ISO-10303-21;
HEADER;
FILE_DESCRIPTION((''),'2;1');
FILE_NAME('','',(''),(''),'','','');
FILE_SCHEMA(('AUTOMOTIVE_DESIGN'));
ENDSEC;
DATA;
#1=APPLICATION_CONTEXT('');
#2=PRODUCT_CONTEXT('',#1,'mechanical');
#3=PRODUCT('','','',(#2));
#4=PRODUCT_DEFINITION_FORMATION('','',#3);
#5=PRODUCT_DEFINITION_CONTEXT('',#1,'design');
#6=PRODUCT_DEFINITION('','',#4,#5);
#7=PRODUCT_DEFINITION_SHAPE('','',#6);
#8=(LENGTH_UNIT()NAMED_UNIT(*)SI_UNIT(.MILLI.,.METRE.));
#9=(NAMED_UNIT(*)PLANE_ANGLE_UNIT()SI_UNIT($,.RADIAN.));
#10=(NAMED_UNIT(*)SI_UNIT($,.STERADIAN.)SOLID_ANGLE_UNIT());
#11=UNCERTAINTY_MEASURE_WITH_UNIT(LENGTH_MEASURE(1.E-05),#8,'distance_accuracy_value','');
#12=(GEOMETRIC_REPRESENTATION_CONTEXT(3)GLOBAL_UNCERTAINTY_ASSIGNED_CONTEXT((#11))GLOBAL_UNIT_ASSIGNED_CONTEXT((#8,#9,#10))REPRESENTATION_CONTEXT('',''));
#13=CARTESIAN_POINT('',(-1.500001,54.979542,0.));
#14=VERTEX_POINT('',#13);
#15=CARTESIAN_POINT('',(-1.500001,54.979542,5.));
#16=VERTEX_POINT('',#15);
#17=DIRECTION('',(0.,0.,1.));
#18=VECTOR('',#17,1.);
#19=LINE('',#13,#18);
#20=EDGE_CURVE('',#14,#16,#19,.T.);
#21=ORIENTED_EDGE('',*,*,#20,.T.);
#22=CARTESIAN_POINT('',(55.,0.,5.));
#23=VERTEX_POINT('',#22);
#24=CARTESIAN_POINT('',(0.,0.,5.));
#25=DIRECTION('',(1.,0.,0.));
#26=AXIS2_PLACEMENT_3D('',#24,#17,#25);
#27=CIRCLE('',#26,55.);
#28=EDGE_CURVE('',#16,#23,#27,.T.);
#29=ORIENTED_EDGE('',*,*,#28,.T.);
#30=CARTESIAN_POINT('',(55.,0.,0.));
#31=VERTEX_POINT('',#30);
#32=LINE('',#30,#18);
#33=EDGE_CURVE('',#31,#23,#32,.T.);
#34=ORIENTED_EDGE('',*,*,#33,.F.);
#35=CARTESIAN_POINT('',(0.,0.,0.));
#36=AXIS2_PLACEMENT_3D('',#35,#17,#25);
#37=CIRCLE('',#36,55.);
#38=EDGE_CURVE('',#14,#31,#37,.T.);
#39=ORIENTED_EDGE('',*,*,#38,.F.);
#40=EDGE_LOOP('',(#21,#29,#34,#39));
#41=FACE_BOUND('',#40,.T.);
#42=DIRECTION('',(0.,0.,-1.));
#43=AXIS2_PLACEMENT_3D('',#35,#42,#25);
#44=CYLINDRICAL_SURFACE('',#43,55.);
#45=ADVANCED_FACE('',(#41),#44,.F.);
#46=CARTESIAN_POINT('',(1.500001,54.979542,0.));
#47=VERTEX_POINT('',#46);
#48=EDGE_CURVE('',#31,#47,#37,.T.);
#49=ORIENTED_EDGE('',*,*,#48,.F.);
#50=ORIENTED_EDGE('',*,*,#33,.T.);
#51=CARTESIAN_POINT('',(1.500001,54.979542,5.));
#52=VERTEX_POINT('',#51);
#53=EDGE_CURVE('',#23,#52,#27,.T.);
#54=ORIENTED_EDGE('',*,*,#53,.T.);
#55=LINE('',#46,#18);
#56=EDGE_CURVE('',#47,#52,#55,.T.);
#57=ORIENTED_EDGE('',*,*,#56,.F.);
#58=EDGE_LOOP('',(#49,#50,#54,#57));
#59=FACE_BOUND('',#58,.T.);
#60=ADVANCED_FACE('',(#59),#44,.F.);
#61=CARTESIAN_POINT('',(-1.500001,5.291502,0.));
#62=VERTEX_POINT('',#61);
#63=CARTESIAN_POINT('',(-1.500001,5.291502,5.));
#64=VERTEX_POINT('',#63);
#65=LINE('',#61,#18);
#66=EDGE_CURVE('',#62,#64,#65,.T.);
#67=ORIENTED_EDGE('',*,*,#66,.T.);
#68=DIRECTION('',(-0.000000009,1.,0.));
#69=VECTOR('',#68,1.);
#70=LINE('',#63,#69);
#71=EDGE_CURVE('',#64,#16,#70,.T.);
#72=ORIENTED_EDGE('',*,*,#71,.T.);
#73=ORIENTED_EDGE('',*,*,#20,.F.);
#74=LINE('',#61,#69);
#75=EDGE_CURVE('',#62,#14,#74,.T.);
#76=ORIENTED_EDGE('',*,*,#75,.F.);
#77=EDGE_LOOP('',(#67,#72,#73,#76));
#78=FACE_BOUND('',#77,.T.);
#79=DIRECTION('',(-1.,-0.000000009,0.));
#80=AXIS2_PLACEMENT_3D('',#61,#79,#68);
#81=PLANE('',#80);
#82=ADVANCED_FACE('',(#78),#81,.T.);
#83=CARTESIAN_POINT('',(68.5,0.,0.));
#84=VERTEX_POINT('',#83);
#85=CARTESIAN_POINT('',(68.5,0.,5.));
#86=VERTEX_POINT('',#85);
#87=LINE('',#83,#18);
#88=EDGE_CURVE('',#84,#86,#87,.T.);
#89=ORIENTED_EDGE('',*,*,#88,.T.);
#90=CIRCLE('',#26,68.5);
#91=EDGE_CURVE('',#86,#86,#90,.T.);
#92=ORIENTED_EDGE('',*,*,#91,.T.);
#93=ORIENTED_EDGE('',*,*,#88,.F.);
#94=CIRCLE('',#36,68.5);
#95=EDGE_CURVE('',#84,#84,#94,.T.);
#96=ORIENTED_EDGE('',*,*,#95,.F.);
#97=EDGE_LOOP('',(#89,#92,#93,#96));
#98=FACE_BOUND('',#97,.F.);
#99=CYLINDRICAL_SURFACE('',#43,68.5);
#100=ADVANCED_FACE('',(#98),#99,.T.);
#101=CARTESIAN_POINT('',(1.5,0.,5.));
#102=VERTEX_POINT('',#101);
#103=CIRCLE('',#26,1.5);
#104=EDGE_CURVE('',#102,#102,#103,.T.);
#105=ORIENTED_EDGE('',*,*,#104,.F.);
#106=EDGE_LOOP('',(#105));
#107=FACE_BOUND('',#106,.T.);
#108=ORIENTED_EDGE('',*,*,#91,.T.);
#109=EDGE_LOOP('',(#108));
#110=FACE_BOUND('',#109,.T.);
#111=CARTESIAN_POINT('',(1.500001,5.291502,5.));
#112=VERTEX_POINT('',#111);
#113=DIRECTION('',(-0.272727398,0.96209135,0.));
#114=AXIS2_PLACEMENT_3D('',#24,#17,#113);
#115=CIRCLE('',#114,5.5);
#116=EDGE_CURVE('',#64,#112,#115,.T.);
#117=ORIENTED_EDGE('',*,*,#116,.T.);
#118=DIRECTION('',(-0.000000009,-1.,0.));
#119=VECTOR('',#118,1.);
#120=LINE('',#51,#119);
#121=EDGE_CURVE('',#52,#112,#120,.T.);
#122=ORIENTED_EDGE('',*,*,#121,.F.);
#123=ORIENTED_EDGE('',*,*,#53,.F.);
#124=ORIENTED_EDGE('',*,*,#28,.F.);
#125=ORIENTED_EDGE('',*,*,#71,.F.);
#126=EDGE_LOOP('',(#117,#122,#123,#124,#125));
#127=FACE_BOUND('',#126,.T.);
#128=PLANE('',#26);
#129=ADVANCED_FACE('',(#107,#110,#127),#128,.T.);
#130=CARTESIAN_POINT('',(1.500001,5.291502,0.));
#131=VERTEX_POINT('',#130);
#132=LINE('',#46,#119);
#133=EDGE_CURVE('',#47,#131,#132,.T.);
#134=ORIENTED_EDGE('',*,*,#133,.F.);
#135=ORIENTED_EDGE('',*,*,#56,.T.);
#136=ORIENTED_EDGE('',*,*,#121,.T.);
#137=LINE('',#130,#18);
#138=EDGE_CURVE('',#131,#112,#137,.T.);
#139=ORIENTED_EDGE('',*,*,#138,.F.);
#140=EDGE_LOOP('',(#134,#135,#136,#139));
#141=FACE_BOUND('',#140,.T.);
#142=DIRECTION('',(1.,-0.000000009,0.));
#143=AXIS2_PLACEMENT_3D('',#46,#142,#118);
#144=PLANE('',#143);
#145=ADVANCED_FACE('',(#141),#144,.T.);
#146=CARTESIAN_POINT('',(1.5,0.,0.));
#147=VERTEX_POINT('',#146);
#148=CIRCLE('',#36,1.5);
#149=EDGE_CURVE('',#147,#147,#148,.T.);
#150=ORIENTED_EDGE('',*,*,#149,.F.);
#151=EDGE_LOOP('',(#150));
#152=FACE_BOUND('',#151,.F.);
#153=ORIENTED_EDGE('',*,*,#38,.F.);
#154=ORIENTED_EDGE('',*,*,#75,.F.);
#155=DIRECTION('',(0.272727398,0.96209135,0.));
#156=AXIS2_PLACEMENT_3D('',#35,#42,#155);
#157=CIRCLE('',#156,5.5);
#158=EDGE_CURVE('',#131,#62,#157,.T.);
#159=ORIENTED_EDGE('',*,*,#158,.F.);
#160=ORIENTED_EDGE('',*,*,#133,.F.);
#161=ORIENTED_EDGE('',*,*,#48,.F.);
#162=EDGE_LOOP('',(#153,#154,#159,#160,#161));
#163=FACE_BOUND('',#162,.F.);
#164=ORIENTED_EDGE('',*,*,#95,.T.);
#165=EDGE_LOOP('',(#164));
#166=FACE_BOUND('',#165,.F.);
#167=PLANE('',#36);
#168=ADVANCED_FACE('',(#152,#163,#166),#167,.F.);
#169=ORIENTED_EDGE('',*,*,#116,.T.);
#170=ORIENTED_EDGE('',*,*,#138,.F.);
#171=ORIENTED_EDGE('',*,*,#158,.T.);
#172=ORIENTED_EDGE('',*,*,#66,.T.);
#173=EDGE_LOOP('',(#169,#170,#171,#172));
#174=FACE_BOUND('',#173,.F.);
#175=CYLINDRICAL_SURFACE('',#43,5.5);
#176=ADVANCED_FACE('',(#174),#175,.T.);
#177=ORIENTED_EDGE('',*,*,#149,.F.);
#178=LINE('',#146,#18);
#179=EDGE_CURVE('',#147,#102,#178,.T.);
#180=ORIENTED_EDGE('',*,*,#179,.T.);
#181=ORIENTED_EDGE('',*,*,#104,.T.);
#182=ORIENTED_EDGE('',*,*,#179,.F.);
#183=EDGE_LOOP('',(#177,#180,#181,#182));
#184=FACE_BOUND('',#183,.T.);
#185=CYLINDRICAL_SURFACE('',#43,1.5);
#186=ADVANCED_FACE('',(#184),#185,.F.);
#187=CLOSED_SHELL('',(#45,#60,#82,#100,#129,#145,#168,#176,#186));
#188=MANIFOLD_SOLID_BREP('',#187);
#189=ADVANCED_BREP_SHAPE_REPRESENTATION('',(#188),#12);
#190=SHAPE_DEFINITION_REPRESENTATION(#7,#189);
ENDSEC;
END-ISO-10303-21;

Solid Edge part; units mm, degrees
sketch "Sketch1" plane through (0, 0, 0) normal (0, 0, 1) x (1, 0, 0)
  line L0 (1.5, 54.9795) -> (1.5, 5.2915)
  arc A0 (1.5, 5.2915) -> (-1.5, 5.2915) centre (0, 0) ccw
  line L1 (-1.5, 5.2915) -> (-1.5, 54.9795)
  arc A1 (1.5, 54.9795) -> (-1.5, 54.9795) centre (0, 0) ccw
extrude "Protrusion1" add sketch "Sketch1" along normal blind 5
sketch "Sketch2" plane through (0, 0, 0) normal (0, 0, 1) x (1, 0, 0)
  circle A0 centre (0, 0) radius 5.5
  circle A1 centre (0, 0) radius 1.5
  circle A2 centre (0, 0) radius 55
  circle A3 centre (0, 0) radius 68.5
extrude "ExtrudedProtrusion_4" add sketch "Sketch2" along normal blind 5
